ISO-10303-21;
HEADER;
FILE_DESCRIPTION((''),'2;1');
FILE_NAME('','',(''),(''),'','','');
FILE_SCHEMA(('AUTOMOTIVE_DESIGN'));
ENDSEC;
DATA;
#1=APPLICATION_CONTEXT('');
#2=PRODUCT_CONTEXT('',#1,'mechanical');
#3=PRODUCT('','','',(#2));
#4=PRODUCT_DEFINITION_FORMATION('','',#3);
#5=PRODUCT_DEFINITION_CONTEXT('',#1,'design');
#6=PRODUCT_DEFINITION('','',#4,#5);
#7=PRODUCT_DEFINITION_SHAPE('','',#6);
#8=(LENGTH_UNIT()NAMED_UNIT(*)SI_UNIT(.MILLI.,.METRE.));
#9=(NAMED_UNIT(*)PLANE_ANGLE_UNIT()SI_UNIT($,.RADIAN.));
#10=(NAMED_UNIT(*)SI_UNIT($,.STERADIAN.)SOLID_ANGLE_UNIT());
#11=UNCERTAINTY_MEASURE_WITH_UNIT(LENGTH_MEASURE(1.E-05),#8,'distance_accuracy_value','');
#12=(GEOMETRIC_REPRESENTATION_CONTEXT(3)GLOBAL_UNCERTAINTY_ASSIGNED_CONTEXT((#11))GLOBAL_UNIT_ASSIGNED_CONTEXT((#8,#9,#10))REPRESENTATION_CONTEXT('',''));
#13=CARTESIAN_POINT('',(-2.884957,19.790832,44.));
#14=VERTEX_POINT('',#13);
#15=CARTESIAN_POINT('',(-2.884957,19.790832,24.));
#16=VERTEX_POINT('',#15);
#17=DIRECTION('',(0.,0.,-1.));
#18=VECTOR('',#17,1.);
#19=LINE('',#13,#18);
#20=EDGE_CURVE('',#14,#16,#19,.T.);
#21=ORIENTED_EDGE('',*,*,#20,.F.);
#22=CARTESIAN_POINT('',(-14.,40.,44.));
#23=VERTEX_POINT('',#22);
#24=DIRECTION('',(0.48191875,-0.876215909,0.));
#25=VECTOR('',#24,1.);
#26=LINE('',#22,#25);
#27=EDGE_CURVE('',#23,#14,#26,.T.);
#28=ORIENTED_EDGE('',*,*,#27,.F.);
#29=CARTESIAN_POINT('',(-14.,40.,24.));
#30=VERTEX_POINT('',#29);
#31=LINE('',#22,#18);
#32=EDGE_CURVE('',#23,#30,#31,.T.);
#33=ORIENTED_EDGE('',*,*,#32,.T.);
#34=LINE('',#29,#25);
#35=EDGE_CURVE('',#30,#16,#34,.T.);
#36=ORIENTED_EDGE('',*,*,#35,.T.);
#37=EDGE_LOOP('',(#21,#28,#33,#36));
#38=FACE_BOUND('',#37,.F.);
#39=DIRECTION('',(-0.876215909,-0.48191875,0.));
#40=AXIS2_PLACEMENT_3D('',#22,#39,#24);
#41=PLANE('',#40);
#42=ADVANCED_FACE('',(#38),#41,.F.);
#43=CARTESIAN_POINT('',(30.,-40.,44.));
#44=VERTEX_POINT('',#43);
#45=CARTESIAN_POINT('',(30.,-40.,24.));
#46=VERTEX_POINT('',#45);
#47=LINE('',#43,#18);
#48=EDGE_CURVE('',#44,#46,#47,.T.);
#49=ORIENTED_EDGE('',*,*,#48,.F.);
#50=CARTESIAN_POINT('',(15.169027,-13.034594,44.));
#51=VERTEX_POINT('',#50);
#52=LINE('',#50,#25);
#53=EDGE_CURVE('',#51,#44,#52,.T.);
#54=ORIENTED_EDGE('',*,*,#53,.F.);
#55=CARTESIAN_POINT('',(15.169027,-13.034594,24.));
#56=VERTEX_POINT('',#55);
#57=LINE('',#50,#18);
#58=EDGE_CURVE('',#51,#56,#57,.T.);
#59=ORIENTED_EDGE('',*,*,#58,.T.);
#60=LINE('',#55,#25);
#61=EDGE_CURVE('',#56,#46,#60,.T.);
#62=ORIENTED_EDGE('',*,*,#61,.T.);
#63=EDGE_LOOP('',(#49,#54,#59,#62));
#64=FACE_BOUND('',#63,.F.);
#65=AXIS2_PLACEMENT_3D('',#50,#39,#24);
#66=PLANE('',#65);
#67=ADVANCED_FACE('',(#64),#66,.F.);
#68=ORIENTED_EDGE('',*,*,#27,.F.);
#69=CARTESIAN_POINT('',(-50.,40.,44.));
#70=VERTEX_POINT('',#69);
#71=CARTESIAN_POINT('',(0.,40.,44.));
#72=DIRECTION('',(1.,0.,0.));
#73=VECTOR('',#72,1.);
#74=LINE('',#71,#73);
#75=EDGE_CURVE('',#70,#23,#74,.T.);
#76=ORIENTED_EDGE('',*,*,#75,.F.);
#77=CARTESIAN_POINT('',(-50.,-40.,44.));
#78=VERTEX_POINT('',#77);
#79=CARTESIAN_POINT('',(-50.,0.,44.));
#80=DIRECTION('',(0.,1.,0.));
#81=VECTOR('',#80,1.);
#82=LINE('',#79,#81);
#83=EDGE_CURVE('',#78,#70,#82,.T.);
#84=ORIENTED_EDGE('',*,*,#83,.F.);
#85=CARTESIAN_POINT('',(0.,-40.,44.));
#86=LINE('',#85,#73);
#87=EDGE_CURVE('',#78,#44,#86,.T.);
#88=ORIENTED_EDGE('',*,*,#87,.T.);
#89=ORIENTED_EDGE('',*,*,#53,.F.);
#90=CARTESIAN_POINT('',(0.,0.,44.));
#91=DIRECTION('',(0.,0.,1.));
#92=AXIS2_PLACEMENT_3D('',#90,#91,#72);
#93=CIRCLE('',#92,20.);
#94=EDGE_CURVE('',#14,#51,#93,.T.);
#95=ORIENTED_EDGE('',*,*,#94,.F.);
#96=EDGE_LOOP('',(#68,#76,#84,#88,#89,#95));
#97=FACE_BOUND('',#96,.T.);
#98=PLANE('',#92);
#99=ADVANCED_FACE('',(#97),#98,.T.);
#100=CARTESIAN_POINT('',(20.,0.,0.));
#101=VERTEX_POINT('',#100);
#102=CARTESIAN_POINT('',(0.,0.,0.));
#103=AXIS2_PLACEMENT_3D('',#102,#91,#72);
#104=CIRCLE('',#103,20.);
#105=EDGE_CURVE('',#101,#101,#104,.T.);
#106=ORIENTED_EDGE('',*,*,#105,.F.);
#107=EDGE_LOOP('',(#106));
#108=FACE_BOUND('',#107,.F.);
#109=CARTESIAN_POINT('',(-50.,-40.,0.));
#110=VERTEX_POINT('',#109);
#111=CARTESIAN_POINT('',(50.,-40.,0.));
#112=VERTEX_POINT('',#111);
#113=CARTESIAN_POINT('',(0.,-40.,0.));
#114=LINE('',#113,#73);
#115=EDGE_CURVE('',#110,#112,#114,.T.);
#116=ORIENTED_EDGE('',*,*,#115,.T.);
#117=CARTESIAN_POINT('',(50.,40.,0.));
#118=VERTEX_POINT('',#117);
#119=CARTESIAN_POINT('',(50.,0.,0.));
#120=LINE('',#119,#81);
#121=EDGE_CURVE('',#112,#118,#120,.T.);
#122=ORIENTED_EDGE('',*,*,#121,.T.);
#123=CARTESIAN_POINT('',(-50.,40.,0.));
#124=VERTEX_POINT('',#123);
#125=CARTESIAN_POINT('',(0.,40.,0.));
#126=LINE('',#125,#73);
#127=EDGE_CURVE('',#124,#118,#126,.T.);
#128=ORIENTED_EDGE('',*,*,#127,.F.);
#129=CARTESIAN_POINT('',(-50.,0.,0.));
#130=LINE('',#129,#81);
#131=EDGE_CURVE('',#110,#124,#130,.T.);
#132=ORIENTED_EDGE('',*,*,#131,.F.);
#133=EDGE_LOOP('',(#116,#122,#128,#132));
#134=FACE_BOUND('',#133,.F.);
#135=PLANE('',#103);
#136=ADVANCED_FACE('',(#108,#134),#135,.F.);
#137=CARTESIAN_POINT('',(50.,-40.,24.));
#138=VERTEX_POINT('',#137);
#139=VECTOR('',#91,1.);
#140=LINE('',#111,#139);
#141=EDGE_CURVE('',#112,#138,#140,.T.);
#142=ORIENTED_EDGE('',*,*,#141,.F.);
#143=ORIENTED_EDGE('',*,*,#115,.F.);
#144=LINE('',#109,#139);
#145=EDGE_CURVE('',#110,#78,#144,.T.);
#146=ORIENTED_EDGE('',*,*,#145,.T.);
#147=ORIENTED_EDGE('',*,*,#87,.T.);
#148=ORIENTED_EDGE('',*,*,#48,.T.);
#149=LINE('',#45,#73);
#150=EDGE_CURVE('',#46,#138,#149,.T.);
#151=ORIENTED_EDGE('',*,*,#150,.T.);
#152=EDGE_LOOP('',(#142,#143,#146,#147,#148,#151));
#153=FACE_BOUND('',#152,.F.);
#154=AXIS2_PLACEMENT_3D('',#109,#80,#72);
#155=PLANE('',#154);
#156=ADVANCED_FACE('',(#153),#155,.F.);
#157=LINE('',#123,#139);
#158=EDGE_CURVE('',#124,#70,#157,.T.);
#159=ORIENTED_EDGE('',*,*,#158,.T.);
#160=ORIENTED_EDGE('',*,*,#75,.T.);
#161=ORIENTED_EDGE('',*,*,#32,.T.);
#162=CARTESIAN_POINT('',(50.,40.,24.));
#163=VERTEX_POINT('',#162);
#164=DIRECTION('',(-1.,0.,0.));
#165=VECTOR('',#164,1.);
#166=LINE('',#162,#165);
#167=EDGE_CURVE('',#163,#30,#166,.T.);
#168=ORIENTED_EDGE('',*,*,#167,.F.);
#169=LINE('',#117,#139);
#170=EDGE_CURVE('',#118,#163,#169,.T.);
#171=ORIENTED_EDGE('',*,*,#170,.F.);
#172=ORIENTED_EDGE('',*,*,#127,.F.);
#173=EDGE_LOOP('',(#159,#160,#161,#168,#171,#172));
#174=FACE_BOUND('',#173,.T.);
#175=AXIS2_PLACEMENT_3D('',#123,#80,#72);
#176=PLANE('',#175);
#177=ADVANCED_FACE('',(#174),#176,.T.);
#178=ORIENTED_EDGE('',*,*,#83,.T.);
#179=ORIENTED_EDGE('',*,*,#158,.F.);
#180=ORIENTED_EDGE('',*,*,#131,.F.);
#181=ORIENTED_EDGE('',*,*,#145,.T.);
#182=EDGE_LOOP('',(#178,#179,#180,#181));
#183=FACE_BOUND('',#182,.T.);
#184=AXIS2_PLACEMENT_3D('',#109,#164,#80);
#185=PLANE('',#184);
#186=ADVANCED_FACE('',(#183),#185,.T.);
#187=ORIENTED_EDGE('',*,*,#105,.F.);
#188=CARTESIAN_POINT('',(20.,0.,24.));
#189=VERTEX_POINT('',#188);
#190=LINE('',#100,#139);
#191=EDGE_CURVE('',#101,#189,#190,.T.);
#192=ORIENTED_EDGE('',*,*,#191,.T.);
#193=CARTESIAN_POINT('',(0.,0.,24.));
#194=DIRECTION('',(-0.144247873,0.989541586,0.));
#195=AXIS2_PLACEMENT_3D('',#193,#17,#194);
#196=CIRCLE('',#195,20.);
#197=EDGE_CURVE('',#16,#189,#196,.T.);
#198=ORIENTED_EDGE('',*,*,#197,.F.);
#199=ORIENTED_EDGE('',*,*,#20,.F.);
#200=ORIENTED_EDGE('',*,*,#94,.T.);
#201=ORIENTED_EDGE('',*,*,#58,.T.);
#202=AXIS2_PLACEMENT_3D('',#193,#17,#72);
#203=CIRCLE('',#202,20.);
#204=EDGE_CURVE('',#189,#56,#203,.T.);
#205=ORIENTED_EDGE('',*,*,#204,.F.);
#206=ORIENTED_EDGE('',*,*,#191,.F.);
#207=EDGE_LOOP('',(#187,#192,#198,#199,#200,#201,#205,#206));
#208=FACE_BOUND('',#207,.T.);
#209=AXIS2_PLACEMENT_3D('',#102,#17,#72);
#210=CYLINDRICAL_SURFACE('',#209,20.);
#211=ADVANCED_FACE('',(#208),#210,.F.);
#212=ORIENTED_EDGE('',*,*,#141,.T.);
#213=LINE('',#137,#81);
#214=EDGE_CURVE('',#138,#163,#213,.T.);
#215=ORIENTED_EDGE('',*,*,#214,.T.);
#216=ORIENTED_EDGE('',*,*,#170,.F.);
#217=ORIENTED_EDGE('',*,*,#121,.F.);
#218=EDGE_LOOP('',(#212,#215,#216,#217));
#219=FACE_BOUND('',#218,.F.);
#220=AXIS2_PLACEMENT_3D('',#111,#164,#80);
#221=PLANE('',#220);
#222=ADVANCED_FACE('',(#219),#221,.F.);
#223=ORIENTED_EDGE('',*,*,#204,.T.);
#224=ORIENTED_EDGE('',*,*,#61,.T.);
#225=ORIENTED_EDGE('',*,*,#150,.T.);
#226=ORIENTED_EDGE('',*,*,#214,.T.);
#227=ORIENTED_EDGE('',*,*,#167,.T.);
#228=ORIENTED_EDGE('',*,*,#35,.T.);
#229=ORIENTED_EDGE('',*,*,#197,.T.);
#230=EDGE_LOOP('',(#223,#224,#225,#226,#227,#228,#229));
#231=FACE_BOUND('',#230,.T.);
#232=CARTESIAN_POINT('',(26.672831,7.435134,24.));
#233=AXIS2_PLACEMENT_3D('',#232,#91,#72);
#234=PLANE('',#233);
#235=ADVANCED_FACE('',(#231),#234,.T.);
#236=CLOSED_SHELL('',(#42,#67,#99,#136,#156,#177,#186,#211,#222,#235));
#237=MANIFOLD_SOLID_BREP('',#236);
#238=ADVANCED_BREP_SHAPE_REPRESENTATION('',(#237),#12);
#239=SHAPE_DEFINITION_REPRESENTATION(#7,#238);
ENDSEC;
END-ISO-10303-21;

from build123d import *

# Parameters (mm, degrees)
F0_W     = 100
F0_H     = 80
F0_R     = 20
F1_DEPTH = 44
F3_DEPTH = 20


with BuildPart() as f1:
    # F0 (on Top) → F1 (new body)
    with BuildSketch(Plane.XY):
        Rectangle(F0_W, F0_H)
        Circle(F0_R, mode=Mode.SUBTRACT)
    extrude(amount=F1_DEPTH)

    # F2 (on face) → F3 (cut)
    with BuildSketch(Plane.XY.offset(44)):
        with BuildLine():
            Line((50, -40), (50, 40))
            Line((50, 40), (-14, 40))
            Line((-14, 40), (-2.8849574507, 19.7908317285))
            ThreePointArc((-2.8849574507, 19.7908317285), (13.0824472287, 15.1277749358), (20, 0))
            ThreePointArc((20, 0), (18.7534067701, -6.9505204492), (15.1690265486, -13.0345937247))
            Line((15.1690265486, -13.0345937247), (30, -40))
            Line((30, -40), (50, -40))
        make_face()
    extrude(amount=-F3_DEPTH, mode=Mode.SUBTRACT)


solid = f1.part
